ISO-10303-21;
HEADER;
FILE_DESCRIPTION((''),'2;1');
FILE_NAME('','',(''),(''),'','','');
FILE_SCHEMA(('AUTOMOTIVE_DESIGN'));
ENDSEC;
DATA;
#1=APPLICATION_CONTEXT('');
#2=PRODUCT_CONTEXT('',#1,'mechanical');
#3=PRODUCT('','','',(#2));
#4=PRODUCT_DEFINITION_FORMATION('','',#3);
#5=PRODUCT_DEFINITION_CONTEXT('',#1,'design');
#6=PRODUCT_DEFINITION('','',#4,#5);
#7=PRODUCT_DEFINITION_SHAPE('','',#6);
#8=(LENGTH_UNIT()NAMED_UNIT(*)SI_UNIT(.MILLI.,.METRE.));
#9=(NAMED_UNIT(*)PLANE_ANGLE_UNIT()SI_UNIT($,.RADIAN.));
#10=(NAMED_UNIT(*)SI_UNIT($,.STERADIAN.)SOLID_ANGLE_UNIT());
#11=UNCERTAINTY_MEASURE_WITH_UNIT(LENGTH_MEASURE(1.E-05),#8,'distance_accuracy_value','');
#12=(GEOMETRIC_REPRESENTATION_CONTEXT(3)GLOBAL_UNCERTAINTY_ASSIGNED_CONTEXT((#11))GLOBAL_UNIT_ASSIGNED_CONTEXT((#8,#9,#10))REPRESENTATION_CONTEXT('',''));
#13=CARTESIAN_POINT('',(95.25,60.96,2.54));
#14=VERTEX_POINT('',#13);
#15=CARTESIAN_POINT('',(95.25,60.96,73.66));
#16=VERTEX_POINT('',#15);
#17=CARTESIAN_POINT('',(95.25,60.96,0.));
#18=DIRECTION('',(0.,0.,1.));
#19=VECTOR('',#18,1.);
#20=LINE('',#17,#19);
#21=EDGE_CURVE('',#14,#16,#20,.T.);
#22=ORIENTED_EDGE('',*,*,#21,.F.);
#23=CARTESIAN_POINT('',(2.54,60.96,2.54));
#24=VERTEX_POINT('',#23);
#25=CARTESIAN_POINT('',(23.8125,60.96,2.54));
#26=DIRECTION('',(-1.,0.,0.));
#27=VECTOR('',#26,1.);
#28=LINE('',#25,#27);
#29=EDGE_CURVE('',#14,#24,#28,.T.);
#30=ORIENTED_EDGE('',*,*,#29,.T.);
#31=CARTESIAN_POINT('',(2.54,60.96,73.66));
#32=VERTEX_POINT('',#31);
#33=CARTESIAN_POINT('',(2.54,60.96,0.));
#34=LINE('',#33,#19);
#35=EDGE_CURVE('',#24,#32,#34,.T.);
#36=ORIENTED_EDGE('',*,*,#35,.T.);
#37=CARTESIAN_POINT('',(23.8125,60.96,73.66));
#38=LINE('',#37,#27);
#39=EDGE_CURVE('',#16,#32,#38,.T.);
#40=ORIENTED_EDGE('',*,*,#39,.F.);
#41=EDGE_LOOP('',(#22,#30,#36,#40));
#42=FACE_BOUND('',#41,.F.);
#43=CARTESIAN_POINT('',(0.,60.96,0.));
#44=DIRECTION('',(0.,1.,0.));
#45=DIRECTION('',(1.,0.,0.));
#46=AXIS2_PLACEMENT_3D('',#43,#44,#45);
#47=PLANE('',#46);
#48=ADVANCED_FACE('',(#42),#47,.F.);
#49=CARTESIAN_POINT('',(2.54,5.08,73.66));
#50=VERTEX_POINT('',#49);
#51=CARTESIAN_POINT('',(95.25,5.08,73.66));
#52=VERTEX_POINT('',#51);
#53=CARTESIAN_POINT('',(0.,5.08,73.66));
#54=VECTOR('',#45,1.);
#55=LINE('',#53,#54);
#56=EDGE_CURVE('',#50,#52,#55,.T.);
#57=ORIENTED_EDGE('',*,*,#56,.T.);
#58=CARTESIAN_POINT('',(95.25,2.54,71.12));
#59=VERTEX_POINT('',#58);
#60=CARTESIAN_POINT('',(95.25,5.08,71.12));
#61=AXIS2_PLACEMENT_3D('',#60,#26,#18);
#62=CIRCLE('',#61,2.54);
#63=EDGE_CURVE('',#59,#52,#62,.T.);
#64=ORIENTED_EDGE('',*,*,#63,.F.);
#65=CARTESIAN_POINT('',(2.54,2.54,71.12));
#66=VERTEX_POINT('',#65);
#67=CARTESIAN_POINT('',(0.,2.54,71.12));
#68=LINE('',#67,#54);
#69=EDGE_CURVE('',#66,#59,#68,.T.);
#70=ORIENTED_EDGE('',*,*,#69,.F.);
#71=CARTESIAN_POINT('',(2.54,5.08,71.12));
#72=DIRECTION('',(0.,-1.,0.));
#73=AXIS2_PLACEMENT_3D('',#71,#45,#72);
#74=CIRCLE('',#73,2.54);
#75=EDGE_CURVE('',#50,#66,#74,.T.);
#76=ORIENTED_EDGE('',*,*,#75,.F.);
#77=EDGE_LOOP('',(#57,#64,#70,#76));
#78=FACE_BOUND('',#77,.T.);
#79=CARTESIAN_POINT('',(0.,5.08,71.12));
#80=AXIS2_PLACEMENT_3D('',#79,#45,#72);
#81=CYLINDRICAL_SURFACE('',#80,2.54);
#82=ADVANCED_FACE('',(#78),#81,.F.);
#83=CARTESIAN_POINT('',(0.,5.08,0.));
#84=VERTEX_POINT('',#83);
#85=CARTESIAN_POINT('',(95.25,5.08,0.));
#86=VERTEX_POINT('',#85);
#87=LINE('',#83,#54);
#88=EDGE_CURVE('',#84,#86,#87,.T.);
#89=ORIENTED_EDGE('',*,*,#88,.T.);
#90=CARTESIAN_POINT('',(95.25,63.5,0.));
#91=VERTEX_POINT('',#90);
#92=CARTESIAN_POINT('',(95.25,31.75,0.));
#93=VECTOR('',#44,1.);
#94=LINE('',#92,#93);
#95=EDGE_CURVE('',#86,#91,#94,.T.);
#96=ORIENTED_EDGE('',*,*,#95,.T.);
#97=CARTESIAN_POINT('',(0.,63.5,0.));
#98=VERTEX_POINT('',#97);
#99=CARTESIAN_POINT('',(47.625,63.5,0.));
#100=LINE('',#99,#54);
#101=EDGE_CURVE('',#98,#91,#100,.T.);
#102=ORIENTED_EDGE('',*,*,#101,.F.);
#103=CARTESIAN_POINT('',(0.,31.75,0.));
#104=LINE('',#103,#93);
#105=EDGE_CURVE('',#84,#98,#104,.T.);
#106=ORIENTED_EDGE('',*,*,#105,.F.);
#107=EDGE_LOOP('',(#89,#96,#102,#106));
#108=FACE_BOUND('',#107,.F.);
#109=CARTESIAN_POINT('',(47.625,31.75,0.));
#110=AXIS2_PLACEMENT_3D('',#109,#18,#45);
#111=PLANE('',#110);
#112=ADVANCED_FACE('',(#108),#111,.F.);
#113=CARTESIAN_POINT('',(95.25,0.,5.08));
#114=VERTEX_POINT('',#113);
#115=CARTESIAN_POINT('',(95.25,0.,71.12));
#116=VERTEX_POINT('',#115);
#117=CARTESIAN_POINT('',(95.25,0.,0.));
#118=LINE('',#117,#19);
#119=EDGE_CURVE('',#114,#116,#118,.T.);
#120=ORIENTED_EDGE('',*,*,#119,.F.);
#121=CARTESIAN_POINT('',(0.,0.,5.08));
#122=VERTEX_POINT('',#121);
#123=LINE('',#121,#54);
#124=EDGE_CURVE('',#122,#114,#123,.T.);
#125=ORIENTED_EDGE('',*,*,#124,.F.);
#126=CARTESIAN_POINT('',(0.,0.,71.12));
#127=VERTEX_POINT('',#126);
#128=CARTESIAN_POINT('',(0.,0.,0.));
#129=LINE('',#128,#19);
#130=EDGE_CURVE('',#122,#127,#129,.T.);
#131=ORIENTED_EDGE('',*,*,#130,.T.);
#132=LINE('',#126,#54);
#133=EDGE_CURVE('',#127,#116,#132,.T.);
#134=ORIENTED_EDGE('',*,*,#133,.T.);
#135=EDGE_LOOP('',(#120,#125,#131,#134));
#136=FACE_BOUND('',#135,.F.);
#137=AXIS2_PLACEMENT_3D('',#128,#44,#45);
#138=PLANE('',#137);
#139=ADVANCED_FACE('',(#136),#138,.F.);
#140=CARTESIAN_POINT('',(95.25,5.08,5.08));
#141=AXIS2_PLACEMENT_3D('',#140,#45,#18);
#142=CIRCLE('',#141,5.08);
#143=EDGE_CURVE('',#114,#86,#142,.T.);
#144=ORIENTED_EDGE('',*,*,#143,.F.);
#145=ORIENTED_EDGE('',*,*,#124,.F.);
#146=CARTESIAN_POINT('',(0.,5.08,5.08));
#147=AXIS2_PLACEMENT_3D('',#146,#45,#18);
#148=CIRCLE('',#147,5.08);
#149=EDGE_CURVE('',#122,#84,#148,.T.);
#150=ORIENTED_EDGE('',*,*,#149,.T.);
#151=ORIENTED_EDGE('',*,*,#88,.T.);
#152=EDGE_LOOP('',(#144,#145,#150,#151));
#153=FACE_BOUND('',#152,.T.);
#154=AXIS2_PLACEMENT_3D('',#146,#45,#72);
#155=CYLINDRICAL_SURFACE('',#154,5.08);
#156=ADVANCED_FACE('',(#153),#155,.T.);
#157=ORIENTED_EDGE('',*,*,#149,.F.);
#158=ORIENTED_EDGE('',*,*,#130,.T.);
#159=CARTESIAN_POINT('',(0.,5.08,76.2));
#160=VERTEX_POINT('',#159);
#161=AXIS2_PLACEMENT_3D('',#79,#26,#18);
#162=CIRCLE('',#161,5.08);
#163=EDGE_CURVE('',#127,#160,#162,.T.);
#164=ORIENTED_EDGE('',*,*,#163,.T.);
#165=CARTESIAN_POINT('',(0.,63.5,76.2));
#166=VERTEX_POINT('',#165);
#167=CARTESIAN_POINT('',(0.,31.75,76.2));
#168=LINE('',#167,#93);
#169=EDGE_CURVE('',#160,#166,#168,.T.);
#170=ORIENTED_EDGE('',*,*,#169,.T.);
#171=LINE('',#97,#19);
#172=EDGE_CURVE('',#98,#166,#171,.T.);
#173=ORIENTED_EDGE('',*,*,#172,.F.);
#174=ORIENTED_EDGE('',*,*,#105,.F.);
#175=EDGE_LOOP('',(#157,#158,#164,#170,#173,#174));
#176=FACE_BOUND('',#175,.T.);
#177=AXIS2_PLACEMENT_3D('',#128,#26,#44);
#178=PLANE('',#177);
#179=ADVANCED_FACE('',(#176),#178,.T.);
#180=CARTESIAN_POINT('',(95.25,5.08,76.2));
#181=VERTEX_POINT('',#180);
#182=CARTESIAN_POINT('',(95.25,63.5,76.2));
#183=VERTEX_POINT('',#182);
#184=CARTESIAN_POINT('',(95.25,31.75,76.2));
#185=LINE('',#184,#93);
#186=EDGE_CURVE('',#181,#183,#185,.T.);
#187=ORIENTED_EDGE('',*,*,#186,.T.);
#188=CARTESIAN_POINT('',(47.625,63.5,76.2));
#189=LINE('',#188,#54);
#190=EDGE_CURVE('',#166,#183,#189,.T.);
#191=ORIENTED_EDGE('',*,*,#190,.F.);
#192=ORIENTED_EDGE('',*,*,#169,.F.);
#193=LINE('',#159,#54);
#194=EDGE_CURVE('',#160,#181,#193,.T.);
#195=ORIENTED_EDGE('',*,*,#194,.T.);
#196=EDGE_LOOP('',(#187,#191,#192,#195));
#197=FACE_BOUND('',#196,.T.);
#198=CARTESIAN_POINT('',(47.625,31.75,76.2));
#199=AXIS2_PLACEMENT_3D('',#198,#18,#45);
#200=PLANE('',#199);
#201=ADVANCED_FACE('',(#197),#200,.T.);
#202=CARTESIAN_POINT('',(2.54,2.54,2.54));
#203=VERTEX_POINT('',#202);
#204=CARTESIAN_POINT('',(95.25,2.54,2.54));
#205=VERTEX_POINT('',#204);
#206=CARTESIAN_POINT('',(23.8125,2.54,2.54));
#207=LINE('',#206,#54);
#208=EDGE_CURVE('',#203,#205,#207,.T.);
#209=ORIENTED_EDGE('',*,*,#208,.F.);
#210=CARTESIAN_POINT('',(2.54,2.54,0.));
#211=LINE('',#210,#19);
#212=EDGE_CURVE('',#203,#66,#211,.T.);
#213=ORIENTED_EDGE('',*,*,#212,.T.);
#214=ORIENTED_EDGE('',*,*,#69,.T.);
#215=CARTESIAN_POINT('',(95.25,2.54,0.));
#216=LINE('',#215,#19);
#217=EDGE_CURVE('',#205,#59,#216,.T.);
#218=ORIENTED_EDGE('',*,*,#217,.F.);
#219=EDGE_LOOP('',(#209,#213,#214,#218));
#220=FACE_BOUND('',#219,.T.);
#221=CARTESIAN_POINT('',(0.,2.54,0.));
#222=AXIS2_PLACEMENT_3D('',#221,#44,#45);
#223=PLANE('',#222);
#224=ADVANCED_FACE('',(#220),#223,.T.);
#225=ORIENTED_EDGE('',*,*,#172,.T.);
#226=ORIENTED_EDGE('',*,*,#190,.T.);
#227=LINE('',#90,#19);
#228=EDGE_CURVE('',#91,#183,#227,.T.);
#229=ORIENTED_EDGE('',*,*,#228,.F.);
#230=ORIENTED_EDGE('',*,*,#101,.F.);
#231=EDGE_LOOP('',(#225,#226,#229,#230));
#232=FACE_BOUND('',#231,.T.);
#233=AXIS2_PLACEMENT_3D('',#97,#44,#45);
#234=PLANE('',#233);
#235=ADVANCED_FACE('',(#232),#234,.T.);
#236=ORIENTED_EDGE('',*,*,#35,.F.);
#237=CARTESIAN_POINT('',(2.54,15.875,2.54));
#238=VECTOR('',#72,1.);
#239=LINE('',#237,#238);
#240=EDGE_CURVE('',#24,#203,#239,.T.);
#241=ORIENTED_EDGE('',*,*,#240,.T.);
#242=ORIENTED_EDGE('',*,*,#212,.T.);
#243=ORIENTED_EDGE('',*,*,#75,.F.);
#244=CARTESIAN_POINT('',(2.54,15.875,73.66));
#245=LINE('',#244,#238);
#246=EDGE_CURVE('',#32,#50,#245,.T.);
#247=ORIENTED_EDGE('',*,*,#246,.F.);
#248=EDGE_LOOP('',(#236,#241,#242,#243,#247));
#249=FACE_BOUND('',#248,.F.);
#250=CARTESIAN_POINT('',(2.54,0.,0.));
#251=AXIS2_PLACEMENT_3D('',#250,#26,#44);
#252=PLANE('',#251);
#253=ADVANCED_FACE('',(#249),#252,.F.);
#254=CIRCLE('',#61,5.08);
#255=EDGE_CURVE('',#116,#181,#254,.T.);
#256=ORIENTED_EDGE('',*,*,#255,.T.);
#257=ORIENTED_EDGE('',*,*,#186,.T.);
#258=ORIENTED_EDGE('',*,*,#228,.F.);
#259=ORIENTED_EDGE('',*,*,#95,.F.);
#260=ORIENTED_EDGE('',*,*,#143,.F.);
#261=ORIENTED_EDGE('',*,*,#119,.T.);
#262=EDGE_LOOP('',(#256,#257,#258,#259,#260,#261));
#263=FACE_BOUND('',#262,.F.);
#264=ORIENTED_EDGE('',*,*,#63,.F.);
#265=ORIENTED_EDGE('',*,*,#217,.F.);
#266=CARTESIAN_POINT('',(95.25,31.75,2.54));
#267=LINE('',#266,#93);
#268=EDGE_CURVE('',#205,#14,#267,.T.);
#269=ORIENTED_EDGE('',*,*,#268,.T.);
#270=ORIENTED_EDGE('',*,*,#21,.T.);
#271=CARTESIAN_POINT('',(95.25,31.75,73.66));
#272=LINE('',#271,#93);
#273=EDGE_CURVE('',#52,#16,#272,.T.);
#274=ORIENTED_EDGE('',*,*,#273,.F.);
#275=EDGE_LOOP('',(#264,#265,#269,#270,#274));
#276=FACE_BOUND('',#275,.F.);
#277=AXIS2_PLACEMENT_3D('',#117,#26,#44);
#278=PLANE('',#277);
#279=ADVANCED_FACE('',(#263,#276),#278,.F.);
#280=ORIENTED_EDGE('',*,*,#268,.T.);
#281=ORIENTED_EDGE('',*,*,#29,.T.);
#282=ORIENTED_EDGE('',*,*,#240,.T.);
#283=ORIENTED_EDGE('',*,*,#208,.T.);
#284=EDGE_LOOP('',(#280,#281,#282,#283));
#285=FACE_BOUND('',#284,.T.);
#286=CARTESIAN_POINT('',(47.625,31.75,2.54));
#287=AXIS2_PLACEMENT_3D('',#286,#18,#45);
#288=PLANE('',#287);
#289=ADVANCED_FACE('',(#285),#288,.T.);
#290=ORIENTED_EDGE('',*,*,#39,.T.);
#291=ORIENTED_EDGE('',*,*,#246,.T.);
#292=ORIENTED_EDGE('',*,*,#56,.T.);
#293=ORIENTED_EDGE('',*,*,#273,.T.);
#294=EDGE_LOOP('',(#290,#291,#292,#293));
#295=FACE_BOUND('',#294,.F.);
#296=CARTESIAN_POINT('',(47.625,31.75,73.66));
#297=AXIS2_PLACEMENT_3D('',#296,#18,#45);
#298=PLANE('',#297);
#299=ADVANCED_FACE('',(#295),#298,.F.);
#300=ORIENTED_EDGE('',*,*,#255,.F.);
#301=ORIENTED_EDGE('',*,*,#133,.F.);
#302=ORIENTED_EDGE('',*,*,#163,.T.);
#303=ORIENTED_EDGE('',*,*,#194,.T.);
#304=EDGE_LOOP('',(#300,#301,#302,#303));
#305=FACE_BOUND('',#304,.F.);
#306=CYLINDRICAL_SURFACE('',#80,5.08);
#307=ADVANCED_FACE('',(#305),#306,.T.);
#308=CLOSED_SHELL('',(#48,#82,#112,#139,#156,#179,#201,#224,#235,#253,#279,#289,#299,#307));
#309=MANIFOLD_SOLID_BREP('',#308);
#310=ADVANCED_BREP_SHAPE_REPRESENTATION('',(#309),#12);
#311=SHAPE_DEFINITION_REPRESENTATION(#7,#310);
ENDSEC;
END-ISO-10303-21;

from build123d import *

# Parameters (mm, degrees)
F0_W     = 95.25
F0_H     = 63.5
F1_DEPTH = 76.2
F2_R     = 5.08
F3_T     = -2.54
F4_R     = 5.08


with BuildPart() as f1:
    # F0 (on Top) → F1 (new body)
    with BuildSketch(Plane.XY):
        with Locations((47.625, 31.75)):
            Rectangle(F0_W, F0_H)
    extrude(amount=F1_DEPTH)

    # F2
    f2_edges = [f1.edges().sort_by_distance(p)[0] for p in [
        (47.625, 0, 76.2),
    ]]
    fillet(f2_edges, radius=F2_R)

    # F3
    f3_openings = [f1.faces().sort_by_distance(p)[0] for p in [
        (95.25, 31.785081, 38.057643),
    ]]
    offset(amount=F3_T, openings=f3_openings)

    # F4
    f4_edges = [f1.edges().sort_by_distance(p)[0] for p in [
        (47.625, 0, 0),
    ]]
    fillet(f4_edges, radius=F4_R)


solid = f1.part
